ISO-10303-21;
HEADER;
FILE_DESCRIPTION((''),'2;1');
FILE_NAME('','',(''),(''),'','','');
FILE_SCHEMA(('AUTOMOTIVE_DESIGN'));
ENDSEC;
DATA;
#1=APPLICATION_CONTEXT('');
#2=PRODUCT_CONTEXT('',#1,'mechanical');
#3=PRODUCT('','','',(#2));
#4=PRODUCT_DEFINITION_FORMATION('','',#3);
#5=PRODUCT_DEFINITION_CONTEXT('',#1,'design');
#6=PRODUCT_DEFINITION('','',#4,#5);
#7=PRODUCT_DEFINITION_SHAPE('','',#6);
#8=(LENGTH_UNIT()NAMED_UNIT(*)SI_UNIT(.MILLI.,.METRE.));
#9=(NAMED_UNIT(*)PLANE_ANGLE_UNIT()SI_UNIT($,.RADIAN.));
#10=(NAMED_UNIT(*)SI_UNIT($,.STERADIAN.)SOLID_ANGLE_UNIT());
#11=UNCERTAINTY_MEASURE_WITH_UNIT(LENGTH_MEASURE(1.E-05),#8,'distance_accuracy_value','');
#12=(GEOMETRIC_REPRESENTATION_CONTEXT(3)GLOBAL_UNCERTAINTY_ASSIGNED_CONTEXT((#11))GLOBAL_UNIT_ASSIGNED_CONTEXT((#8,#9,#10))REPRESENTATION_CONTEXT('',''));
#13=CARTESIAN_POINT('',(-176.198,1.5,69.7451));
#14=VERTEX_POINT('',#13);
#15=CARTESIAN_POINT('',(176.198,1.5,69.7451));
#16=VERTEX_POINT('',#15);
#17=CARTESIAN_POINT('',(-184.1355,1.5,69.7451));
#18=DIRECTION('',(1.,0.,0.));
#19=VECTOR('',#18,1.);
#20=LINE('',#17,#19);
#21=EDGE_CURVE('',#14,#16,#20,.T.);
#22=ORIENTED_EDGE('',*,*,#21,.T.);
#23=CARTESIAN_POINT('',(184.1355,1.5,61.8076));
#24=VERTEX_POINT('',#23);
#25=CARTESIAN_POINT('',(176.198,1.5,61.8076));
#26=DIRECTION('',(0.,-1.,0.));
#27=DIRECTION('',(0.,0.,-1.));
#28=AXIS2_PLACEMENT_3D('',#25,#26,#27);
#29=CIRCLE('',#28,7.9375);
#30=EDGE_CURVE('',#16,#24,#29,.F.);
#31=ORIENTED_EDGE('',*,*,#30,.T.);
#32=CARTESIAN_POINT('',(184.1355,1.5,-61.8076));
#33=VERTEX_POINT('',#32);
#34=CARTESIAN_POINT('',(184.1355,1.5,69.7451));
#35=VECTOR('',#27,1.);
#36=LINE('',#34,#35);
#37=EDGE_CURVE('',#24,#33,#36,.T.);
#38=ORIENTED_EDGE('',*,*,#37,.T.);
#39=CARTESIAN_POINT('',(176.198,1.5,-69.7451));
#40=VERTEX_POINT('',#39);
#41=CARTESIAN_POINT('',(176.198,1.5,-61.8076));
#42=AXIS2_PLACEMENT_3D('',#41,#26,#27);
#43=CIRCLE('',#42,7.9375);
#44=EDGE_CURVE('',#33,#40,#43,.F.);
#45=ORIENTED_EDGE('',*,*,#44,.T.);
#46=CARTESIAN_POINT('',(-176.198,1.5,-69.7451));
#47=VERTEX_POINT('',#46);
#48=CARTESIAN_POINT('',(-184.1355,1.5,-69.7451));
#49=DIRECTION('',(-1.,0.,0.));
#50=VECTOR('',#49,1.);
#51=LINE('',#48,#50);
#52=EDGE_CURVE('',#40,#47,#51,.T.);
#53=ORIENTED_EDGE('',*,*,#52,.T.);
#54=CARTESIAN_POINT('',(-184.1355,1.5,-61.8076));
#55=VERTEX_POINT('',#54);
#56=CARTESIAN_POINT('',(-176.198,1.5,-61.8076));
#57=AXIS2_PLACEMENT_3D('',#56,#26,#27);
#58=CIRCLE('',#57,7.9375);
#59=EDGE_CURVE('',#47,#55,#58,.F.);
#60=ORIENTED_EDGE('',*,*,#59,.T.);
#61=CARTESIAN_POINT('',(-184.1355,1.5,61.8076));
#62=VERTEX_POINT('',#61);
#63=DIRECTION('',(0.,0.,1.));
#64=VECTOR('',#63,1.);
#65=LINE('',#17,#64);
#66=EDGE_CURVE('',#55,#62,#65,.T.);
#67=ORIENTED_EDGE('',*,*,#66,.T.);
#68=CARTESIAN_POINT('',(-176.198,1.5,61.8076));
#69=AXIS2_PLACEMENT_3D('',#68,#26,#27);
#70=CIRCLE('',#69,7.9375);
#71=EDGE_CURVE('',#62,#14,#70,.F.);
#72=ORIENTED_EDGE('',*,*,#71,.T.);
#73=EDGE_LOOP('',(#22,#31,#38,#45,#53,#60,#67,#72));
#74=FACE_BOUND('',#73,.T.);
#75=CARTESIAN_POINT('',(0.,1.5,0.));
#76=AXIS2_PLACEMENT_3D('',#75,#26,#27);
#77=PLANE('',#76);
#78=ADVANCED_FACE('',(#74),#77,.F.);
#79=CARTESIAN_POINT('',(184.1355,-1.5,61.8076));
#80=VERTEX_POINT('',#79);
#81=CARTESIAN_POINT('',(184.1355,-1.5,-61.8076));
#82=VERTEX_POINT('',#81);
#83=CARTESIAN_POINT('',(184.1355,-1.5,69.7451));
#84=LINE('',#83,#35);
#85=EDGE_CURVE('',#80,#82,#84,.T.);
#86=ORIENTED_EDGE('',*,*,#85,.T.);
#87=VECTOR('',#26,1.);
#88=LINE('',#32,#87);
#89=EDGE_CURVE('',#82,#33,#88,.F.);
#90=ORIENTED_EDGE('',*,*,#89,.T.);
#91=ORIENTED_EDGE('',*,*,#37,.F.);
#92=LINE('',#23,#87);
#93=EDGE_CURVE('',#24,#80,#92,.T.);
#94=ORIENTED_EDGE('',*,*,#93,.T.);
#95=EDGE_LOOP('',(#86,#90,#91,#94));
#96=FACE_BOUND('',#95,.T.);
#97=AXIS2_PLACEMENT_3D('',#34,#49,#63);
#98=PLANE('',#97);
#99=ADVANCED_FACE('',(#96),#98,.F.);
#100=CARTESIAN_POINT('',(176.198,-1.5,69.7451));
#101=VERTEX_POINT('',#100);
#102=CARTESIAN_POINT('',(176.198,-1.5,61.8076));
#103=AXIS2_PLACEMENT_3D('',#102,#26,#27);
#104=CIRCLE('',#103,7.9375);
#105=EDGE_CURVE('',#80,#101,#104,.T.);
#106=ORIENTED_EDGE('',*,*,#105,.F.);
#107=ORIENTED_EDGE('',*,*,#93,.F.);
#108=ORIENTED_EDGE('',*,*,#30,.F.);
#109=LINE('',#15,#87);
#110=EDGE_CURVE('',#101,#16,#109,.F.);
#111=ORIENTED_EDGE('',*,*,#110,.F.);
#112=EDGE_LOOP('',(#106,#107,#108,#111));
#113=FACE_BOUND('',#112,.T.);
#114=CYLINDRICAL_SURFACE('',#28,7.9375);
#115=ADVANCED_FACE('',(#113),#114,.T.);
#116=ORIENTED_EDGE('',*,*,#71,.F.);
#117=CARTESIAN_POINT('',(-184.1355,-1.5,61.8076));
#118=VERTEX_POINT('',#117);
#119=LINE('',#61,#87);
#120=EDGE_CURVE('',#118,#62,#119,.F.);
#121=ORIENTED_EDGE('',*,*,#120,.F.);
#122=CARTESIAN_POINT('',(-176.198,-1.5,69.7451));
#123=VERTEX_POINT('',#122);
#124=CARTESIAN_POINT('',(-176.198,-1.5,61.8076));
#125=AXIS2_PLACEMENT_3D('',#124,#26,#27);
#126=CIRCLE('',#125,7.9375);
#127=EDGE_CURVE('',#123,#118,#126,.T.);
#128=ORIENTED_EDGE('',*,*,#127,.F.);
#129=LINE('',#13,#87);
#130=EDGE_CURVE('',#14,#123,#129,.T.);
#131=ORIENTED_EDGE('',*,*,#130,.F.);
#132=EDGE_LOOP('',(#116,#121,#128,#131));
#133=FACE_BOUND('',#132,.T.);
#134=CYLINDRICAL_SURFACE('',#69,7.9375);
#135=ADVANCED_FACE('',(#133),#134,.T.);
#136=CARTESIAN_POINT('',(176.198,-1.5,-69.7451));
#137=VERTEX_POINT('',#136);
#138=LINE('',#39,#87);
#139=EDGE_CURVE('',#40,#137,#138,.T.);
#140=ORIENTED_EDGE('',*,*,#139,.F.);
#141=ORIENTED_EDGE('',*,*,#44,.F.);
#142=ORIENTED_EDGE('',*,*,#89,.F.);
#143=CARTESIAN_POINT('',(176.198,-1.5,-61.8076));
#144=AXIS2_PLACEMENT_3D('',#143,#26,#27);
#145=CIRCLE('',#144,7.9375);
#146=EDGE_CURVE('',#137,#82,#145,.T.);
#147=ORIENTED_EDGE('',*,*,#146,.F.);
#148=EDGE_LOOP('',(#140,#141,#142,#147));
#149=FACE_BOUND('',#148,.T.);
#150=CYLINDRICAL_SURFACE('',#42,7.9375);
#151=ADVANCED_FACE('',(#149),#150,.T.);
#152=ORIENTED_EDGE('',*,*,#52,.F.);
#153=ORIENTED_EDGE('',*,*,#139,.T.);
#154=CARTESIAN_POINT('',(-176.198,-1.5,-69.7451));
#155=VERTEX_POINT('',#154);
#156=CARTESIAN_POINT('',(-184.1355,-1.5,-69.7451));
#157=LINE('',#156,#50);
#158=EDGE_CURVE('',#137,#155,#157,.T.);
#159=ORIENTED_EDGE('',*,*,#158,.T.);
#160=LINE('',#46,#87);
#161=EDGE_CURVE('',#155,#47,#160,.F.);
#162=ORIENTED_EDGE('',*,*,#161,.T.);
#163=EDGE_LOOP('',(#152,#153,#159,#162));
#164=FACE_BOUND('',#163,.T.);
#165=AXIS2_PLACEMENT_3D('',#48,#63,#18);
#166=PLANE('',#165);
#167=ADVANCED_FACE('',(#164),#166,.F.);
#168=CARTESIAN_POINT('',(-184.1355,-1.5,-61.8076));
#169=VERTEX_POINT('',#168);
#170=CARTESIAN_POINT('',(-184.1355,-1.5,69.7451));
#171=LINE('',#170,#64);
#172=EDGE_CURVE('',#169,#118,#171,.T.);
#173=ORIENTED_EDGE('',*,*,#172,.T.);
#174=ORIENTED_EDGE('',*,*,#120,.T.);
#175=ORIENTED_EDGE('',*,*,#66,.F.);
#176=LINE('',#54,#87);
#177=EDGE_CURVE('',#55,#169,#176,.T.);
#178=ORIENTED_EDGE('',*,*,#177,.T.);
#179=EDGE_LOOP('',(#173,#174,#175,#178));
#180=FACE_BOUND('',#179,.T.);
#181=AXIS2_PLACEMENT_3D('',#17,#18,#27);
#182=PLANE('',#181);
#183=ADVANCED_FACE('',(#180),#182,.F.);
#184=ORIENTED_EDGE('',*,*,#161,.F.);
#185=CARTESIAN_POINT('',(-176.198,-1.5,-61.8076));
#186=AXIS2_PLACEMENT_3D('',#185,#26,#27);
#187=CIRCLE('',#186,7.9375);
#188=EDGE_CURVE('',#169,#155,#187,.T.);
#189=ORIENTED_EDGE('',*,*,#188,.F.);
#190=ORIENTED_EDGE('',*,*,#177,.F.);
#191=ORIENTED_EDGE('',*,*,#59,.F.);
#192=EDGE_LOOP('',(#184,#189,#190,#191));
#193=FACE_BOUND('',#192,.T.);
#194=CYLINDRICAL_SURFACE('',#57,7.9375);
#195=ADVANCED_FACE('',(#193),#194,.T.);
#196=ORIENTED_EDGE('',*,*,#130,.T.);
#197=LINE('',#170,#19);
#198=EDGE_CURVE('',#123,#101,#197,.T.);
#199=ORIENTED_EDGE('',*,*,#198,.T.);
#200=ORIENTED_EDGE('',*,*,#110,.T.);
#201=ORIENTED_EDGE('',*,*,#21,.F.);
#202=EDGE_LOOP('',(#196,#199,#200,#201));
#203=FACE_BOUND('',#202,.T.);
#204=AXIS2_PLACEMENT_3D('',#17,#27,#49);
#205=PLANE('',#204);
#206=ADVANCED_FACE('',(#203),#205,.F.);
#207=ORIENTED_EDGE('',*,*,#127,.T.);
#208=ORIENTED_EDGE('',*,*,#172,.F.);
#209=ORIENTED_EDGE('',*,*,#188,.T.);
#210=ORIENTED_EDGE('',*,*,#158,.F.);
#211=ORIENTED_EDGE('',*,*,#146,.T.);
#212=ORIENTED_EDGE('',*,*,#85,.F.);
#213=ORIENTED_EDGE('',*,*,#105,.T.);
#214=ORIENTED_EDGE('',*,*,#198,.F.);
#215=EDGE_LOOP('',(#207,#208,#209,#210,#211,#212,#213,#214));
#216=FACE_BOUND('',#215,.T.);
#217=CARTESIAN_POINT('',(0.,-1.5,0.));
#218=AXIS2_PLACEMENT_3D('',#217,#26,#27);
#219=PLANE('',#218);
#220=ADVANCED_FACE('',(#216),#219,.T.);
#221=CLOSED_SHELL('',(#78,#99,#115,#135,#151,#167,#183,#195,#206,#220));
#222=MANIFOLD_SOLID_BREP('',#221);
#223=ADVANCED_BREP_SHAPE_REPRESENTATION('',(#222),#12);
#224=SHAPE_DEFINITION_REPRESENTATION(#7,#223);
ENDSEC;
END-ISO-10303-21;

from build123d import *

# Parameters (mm, degrees)
SKETCH1_W           = 368.271
SKETCH1_H           = 139.4902
BOSS_EXTRUDE1_DEPTH = 1.5
FILLET1_R           = 7.9375


with BuildPart() as part:
    # Sketch1 → Boss-Extrude1 (new, symmetric)
    with BuildSketch(Plane(origin=(0, 0, 0), x_dir=(1, 0, 0), z_dir=(0, 1, 0))):
        Rectangle(SKETCH1_W, SKETCH1_H)
    extrude(amount=BOSS_EXTRUDE1_DEPTH, both=True)

    # Fillet1
    fillet1_edges = [part.edges().sort_by_distance(p)[0] for p in [
        (184.1355, 0, 69.7451),
        (-184.1355, 0, 69.7451),
        (-184.1355, 0, -69.7451),
        (184.1355, 0, -69.7451),
    ]]
    fillet(fillet1_edges, radius=FILLET1_R)


solid = part.part
